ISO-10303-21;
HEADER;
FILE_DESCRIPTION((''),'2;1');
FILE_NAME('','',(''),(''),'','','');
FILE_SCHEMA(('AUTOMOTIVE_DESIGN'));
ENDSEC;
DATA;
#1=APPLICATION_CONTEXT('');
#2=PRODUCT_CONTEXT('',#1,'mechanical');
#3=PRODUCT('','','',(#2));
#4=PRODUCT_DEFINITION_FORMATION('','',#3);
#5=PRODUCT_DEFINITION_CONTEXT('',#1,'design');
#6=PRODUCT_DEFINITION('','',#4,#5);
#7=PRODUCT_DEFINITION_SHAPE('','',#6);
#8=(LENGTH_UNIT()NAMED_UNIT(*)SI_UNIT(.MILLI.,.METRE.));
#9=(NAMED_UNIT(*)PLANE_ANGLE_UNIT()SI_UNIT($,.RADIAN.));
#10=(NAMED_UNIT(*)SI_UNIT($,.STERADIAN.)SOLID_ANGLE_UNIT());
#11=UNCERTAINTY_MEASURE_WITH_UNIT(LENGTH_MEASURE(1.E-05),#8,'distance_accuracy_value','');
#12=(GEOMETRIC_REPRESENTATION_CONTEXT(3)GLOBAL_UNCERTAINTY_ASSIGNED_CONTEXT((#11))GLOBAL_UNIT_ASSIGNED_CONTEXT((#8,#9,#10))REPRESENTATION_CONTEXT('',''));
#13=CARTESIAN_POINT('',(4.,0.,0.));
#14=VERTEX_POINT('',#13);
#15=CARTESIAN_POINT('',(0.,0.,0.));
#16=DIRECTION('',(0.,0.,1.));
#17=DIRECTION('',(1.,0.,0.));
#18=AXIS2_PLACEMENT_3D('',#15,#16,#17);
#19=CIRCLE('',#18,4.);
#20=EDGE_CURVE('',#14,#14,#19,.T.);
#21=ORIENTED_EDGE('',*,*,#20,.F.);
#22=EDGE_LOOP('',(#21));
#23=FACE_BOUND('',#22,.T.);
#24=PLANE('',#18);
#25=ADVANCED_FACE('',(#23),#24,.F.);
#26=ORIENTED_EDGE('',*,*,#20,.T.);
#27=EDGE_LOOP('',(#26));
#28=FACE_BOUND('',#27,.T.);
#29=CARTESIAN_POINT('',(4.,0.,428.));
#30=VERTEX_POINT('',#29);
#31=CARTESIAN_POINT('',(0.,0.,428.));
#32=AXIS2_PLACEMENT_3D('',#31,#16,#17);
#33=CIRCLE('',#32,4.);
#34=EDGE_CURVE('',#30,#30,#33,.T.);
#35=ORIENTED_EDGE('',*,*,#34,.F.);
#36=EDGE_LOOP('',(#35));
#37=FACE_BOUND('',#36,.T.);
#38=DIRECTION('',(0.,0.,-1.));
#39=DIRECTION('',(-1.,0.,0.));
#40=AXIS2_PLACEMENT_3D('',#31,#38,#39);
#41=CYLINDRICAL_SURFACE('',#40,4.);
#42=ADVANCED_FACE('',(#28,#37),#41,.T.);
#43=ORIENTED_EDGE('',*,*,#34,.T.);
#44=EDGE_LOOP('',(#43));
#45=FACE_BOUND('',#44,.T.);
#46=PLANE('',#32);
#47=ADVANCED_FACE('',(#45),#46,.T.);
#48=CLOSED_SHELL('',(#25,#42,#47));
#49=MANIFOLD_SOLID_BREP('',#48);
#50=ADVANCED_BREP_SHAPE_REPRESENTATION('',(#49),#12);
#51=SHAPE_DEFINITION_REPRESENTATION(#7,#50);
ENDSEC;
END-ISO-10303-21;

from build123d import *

# Parameters (mm, degrees)
ESQUISSE1_R        = 4
BOSS_EXTRU_1_DEPTH = 428


with BuildPart() as part:
    # Esquisse1 → Boss.-Extru.1 (new body)
    with BuildSketch(Plane.XY):
        Circle(ESQUISSE1_R)
    extrude(amount=BOSS_EXTRU_1_DEPTH)


solid = part.part
